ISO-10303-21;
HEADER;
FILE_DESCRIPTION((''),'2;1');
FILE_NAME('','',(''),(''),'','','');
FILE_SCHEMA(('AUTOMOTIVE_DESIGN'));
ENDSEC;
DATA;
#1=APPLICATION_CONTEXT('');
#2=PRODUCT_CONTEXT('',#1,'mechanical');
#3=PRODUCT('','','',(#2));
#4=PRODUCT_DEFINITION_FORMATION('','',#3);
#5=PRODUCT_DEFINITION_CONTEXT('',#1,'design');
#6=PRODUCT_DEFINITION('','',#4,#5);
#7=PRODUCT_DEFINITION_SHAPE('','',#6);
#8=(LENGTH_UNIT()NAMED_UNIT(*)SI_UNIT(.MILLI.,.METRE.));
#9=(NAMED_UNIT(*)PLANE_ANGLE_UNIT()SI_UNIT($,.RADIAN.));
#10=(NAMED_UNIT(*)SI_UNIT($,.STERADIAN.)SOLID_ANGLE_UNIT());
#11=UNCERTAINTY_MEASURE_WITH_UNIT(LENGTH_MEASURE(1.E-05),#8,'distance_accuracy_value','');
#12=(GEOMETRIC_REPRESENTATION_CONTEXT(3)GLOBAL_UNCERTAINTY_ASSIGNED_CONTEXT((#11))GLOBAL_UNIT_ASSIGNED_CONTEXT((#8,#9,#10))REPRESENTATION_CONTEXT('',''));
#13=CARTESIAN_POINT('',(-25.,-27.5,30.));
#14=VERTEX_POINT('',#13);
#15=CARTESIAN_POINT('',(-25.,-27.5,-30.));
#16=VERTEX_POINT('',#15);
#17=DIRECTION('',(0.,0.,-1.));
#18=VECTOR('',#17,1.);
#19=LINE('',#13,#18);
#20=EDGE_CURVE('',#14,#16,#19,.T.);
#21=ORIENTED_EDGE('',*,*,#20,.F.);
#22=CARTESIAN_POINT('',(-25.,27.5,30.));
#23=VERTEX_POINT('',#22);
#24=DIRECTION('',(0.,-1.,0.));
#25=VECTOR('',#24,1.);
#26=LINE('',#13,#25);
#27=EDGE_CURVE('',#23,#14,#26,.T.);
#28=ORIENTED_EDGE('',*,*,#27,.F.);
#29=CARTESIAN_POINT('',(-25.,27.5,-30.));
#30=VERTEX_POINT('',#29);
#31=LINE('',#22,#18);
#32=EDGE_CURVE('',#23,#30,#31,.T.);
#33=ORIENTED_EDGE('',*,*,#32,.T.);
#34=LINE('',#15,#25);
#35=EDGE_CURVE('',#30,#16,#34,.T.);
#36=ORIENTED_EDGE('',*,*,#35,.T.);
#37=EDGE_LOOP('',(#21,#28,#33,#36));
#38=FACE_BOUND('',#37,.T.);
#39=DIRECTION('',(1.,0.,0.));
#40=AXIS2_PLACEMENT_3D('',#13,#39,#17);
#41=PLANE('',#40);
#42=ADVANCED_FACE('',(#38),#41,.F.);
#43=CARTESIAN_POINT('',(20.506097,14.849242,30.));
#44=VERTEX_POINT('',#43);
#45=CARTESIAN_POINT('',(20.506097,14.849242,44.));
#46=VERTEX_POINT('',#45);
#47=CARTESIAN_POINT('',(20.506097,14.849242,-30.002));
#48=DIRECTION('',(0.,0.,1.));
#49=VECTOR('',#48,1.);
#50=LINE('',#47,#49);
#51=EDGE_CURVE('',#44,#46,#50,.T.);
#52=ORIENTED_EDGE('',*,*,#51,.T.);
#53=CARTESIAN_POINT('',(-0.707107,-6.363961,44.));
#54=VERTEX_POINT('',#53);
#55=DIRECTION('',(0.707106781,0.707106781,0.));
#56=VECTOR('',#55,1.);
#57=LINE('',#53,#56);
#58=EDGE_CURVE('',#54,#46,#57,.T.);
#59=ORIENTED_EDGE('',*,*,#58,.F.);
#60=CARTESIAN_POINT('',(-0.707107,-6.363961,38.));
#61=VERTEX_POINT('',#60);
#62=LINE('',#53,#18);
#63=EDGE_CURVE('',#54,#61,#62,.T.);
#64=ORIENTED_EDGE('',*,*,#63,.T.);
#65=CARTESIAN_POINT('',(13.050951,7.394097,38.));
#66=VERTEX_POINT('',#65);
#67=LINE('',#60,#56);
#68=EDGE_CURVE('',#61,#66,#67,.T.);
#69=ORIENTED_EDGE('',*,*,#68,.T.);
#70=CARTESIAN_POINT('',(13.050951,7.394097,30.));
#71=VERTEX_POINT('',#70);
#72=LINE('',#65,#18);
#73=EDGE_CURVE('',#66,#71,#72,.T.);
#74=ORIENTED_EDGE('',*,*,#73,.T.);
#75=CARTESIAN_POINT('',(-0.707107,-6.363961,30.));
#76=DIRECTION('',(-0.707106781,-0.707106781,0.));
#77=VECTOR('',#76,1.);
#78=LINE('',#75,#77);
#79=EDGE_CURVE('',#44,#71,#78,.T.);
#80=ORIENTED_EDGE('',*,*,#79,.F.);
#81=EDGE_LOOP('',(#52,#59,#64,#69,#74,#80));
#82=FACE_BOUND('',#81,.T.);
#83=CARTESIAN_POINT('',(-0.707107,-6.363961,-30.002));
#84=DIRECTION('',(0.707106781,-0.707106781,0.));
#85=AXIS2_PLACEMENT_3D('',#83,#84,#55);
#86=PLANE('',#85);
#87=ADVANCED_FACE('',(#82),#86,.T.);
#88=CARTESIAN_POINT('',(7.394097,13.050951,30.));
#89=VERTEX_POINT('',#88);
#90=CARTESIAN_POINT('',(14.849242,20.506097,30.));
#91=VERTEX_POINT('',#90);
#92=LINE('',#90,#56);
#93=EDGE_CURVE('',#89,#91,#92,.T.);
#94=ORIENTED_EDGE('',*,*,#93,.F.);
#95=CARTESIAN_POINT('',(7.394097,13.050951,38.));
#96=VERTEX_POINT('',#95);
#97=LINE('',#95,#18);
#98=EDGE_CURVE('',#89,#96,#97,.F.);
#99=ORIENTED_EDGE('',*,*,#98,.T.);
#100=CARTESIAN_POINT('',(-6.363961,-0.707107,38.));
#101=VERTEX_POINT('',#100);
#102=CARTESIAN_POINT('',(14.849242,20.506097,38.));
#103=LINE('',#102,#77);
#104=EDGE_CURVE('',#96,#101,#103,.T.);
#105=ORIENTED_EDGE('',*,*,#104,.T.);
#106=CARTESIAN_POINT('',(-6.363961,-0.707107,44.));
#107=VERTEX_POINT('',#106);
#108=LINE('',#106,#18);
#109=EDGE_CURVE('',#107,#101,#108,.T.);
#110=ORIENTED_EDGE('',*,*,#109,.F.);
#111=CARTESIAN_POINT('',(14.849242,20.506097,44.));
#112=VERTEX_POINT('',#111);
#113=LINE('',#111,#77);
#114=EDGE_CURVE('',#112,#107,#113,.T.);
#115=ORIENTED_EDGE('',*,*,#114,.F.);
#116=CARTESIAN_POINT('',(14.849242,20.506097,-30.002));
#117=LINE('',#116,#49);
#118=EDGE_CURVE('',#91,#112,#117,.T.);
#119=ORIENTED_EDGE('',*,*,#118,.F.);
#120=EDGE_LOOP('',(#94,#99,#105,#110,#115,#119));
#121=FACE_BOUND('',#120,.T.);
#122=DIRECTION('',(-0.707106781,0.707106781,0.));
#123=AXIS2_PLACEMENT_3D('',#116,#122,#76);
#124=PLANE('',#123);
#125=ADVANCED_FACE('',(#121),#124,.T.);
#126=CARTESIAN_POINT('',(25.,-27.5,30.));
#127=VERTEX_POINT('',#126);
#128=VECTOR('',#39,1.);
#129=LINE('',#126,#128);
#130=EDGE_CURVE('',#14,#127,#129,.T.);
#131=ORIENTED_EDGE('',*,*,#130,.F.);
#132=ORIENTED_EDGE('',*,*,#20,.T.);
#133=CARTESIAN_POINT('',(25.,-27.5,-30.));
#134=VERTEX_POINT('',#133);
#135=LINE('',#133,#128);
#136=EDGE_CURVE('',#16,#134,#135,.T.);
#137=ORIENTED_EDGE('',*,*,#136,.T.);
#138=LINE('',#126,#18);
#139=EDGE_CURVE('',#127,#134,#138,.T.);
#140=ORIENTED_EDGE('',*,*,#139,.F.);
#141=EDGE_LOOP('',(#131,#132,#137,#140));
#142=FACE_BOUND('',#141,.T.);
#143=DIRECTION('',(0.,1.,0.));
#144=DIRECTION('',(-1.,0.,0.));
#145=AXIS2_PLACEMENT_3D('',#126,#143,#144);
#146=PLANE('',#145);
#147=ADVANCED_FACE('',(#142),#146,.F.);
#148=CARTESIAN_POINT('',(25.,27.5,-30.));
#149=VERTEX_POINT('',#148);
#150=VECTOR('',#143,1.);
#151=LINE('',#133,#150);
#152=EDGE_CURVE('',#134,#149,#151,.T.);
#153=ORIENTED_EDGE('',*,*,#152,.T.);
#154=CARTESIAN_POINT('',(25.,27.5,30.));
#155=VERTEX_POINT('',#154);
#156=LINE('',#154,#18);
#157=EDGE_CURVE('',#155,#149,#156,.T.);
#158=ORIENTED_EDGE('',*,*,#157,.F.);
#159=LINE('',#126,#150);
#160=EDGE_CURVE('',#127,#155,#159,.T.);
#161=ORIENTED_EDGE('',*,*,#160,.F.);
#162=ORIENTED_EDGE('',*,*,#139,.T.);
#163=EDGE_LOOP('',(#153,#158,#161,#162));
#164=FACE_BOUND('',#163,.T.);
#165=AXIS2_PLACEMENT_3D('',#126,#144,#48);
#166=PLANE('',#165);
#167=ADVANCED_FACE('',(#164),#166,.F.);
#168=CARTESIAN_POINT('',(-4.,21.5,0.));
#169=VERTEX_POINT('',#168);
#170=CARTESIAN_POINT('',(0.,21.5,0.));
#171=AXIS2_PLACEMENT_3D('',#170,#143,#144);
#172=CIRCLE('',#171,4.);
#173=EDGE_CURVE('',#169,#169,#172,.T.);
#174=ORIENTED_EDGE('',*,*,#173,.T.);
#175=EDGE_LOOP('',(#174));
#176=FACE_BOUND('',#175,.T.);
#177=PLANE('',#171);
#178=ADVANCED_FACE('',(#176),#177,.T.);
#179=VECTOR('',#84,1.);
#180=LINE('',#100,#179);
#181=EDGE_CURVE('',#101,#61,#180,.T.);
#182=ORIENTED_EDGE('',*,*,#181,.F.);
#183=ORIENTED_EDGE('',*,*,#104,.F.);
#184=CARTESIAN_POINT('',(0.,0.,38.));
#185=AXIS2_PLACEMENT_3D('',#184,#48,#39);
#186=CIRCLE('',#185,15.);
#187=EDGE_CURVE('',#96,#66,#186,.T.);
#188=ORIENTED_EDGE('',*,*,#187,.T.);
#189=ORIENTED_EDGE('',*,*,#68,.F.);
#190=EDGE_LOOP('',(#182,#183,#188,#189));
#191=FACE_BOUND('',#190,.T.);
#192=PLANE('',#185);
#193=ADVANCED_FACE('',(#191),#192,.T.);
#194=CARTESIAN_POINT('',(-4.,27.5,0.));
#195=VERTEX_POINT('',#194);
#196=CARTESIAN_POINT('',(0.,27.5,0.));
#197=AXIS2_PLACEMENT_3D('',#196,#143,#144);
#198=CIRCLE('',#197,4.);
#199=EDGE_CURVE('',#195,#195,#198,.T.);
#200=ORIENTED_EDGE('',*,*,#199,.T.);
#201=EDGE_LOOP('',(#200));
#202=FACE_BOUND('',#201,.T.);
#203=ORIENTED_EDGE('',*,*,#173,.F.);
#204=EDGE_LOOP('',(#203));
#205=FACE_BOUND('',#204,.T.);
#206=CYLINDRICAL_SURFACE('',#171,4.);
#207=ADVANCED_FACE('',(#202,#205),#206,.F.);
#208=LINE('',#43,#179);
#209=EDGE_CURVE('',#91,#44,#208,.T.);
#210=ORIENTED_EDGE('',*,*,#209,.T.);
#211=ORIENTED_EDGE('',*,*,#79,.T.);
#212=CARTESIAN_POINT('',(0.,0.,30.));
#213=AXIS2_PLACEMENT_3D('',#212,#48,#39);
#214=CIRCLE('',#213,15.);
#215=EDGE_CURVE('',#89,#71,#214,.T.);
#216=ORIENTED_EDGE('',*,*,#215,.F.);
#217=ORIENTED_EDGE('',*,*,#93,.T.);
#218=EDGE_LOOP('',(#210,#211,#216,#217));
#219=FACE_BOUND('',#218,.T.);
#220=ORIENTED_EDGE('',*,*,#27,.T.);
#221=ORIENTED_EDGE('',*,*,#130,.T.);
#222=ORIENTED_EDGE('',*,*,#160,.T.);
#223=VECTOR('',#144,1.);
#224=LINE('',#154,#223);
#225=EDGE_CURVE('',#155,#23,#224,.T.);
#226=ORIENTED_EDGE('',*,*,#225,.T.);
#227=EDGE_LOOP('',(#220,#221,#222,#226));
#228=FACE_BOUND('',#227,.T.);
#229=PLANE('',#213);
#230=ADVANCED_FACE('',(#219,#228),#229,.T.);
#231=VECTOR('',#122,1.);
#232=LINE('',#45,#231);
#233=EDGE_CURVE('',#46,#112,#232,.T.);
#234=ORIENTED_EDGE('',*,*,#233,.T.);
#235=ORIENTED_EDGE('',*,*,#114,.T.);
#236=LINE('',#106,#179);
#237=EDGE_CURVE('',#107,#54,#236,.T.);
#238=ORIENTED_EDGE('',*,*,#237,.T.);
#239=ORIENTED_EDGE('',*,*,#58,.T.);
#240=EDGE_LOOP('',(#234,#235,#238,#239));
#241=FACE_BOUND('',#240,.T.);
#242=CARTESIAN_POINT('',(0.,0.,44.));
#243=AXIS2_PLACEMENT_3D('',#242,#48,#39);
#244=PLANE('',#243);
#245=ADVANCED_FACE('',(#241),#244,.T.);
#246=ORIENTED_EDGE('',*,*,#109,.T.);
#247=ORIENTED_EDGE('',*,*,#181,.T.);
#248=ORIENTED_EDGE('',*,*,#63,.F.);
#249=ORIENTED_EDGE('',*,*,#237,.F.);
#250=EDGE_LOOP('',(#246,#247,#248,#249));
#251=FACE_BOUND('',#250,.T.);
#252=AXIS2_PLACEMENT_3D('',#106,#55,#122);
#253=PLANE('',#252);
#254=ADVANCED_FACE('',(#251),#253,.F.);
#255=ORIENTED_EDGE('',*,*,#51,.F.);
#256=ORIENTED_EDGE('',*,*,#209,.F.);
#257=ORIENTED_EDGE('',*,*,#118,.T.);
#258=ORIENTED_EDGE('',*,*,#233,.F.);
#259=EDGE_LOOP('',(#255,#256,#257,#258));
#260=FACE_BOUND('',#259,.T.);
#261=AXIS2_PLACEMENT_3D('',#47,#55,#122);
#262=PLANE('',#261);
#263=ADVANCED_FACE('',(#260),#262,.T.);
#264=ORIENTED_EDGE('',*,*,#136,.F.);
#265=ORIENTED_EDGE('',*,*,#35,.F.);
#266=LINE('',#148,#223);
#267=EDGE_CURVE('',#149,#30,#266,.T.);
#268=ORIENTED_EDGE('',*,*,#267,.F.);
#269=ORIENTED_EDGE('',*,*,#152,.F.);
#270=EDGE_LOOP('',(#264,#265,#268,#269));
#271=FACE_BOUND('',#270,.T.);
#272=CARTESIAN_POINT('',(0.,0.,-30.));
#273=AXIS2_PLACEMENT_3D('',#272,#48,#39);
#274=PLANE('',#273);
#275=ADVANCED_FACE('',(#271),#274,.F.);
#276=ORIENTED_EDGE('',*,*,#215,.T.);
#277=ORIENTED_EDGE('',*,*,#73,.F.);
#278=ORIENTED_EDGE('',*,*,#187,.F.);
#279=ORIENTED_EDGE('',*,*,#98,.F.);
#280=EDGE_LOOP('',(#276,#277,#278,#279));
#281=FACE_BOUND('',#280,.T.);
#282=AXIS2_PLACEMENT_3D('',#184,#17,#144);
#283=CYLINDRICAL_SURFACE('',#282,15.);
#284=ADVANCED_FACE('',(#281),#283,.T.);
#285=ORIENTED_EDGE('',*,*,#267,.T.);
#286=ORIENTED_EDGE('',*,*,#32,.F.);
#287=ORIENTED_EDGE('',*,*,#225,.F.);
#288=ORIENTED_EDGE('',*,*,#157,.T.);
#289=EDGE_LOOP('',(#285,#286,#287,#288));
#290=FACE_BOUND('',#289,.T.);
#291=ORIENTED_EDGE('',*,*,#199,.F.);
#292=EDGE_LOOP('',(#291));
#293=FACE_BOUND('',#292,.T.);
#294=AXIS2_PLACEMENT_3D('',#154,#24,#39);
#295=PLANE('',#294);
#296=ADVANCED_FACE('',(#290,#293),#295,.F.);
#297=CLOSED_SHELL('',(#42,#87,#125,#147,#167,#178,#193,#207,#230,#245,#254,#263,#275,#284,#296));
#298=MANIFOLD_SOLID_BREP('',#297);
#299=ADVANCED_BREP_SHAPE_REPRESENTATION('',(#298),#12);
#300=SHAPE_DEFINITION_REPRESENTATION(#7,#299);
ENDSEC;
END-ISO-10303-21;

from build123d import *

# Parameters (mm, degrees)
SKETCH_1_W                  = 50
SKETCH_1_H                  = 55
EXTRUDE_1_DEPTH             = 30
SKETCH_2_R                  = 15
EXTRUDE_2_DEPTH             = 8
EXTRUDE_3_DEPTH             = 6
EXTRUDE_3_DIRECTION_2_REACH = 79.494
SKETCH_4_R                  = 4
CUT_EXTRUDE_1_DEPTH         = 6


with BuildPart() as part:
    # 草图1 → 凸台-拉伸1 (new, symmetric)
    with BuildSketch(Plane.XY):
        Rectangle(SKETCH_1_W, SKETCH_1_H)
    extrude(amount=EXTRUDE_1_DEPTH, both=True)

    # 草图2 → 凸台-拉伸2 (add)
    with BuildSketch(Plane.XY.offset(30)):
        Circle(SKETCH_2_R)
    extrude(amount=EXTRUDE_2_DEPTH)

    # 草图3 → 凸台-拉伸3 (add)
    with BuildSketch(Plane.XY.offset(38)):
        Polygon((14.849242405, 20.506096654), (-6.363961031, -0.707106781), (-0.707106781, -6.363961031), (20.506096654, 14.849242405), align=None)
    extrude(amount=EXTRUDE_3_DEPTH)

    # 草图3 → 凸台-拉伸3 direction 2 (add, up to next)
    with BuildSketch(Plane.XY.offset(38), mode=Mode.PRIVATE) as extrude_3_direction_2_sk1:
        Polygon((14.849242405, 20.506096654), (-6.363961031, -0.707106781), (-0.707106781, -6.363961031), (20.506096654, 14.849242405), align=None)
    extrude_3_direction_2_tool1 = extrude(extrude_3_direction_2_sk1.sketch, amount=-EXTRUDE_3_DIRECTION_2_REACH, mode=Mode.PRIVATE) - part.part
    add(extrude_3_direction_2_tool1.solids().sort_by_distance((7.071068, 7.071068, 38))[0])

    # 草图4 → 切除-拉伸1 (cut)
    with BuildSketch(Plane(origin=(0, 27.5, 0), x_dir=(1, 0, 0), z_dir=(0, 1, 0))):
        with Locations(Location((0, 0, 0), (0, 0, 180))):
            Circle(SKETCH_4_R)
    extrude(amount=-CUT_EXTRUDE_1_DEPTH, mode=Mode.SUBTRACT)


solid = part.part
